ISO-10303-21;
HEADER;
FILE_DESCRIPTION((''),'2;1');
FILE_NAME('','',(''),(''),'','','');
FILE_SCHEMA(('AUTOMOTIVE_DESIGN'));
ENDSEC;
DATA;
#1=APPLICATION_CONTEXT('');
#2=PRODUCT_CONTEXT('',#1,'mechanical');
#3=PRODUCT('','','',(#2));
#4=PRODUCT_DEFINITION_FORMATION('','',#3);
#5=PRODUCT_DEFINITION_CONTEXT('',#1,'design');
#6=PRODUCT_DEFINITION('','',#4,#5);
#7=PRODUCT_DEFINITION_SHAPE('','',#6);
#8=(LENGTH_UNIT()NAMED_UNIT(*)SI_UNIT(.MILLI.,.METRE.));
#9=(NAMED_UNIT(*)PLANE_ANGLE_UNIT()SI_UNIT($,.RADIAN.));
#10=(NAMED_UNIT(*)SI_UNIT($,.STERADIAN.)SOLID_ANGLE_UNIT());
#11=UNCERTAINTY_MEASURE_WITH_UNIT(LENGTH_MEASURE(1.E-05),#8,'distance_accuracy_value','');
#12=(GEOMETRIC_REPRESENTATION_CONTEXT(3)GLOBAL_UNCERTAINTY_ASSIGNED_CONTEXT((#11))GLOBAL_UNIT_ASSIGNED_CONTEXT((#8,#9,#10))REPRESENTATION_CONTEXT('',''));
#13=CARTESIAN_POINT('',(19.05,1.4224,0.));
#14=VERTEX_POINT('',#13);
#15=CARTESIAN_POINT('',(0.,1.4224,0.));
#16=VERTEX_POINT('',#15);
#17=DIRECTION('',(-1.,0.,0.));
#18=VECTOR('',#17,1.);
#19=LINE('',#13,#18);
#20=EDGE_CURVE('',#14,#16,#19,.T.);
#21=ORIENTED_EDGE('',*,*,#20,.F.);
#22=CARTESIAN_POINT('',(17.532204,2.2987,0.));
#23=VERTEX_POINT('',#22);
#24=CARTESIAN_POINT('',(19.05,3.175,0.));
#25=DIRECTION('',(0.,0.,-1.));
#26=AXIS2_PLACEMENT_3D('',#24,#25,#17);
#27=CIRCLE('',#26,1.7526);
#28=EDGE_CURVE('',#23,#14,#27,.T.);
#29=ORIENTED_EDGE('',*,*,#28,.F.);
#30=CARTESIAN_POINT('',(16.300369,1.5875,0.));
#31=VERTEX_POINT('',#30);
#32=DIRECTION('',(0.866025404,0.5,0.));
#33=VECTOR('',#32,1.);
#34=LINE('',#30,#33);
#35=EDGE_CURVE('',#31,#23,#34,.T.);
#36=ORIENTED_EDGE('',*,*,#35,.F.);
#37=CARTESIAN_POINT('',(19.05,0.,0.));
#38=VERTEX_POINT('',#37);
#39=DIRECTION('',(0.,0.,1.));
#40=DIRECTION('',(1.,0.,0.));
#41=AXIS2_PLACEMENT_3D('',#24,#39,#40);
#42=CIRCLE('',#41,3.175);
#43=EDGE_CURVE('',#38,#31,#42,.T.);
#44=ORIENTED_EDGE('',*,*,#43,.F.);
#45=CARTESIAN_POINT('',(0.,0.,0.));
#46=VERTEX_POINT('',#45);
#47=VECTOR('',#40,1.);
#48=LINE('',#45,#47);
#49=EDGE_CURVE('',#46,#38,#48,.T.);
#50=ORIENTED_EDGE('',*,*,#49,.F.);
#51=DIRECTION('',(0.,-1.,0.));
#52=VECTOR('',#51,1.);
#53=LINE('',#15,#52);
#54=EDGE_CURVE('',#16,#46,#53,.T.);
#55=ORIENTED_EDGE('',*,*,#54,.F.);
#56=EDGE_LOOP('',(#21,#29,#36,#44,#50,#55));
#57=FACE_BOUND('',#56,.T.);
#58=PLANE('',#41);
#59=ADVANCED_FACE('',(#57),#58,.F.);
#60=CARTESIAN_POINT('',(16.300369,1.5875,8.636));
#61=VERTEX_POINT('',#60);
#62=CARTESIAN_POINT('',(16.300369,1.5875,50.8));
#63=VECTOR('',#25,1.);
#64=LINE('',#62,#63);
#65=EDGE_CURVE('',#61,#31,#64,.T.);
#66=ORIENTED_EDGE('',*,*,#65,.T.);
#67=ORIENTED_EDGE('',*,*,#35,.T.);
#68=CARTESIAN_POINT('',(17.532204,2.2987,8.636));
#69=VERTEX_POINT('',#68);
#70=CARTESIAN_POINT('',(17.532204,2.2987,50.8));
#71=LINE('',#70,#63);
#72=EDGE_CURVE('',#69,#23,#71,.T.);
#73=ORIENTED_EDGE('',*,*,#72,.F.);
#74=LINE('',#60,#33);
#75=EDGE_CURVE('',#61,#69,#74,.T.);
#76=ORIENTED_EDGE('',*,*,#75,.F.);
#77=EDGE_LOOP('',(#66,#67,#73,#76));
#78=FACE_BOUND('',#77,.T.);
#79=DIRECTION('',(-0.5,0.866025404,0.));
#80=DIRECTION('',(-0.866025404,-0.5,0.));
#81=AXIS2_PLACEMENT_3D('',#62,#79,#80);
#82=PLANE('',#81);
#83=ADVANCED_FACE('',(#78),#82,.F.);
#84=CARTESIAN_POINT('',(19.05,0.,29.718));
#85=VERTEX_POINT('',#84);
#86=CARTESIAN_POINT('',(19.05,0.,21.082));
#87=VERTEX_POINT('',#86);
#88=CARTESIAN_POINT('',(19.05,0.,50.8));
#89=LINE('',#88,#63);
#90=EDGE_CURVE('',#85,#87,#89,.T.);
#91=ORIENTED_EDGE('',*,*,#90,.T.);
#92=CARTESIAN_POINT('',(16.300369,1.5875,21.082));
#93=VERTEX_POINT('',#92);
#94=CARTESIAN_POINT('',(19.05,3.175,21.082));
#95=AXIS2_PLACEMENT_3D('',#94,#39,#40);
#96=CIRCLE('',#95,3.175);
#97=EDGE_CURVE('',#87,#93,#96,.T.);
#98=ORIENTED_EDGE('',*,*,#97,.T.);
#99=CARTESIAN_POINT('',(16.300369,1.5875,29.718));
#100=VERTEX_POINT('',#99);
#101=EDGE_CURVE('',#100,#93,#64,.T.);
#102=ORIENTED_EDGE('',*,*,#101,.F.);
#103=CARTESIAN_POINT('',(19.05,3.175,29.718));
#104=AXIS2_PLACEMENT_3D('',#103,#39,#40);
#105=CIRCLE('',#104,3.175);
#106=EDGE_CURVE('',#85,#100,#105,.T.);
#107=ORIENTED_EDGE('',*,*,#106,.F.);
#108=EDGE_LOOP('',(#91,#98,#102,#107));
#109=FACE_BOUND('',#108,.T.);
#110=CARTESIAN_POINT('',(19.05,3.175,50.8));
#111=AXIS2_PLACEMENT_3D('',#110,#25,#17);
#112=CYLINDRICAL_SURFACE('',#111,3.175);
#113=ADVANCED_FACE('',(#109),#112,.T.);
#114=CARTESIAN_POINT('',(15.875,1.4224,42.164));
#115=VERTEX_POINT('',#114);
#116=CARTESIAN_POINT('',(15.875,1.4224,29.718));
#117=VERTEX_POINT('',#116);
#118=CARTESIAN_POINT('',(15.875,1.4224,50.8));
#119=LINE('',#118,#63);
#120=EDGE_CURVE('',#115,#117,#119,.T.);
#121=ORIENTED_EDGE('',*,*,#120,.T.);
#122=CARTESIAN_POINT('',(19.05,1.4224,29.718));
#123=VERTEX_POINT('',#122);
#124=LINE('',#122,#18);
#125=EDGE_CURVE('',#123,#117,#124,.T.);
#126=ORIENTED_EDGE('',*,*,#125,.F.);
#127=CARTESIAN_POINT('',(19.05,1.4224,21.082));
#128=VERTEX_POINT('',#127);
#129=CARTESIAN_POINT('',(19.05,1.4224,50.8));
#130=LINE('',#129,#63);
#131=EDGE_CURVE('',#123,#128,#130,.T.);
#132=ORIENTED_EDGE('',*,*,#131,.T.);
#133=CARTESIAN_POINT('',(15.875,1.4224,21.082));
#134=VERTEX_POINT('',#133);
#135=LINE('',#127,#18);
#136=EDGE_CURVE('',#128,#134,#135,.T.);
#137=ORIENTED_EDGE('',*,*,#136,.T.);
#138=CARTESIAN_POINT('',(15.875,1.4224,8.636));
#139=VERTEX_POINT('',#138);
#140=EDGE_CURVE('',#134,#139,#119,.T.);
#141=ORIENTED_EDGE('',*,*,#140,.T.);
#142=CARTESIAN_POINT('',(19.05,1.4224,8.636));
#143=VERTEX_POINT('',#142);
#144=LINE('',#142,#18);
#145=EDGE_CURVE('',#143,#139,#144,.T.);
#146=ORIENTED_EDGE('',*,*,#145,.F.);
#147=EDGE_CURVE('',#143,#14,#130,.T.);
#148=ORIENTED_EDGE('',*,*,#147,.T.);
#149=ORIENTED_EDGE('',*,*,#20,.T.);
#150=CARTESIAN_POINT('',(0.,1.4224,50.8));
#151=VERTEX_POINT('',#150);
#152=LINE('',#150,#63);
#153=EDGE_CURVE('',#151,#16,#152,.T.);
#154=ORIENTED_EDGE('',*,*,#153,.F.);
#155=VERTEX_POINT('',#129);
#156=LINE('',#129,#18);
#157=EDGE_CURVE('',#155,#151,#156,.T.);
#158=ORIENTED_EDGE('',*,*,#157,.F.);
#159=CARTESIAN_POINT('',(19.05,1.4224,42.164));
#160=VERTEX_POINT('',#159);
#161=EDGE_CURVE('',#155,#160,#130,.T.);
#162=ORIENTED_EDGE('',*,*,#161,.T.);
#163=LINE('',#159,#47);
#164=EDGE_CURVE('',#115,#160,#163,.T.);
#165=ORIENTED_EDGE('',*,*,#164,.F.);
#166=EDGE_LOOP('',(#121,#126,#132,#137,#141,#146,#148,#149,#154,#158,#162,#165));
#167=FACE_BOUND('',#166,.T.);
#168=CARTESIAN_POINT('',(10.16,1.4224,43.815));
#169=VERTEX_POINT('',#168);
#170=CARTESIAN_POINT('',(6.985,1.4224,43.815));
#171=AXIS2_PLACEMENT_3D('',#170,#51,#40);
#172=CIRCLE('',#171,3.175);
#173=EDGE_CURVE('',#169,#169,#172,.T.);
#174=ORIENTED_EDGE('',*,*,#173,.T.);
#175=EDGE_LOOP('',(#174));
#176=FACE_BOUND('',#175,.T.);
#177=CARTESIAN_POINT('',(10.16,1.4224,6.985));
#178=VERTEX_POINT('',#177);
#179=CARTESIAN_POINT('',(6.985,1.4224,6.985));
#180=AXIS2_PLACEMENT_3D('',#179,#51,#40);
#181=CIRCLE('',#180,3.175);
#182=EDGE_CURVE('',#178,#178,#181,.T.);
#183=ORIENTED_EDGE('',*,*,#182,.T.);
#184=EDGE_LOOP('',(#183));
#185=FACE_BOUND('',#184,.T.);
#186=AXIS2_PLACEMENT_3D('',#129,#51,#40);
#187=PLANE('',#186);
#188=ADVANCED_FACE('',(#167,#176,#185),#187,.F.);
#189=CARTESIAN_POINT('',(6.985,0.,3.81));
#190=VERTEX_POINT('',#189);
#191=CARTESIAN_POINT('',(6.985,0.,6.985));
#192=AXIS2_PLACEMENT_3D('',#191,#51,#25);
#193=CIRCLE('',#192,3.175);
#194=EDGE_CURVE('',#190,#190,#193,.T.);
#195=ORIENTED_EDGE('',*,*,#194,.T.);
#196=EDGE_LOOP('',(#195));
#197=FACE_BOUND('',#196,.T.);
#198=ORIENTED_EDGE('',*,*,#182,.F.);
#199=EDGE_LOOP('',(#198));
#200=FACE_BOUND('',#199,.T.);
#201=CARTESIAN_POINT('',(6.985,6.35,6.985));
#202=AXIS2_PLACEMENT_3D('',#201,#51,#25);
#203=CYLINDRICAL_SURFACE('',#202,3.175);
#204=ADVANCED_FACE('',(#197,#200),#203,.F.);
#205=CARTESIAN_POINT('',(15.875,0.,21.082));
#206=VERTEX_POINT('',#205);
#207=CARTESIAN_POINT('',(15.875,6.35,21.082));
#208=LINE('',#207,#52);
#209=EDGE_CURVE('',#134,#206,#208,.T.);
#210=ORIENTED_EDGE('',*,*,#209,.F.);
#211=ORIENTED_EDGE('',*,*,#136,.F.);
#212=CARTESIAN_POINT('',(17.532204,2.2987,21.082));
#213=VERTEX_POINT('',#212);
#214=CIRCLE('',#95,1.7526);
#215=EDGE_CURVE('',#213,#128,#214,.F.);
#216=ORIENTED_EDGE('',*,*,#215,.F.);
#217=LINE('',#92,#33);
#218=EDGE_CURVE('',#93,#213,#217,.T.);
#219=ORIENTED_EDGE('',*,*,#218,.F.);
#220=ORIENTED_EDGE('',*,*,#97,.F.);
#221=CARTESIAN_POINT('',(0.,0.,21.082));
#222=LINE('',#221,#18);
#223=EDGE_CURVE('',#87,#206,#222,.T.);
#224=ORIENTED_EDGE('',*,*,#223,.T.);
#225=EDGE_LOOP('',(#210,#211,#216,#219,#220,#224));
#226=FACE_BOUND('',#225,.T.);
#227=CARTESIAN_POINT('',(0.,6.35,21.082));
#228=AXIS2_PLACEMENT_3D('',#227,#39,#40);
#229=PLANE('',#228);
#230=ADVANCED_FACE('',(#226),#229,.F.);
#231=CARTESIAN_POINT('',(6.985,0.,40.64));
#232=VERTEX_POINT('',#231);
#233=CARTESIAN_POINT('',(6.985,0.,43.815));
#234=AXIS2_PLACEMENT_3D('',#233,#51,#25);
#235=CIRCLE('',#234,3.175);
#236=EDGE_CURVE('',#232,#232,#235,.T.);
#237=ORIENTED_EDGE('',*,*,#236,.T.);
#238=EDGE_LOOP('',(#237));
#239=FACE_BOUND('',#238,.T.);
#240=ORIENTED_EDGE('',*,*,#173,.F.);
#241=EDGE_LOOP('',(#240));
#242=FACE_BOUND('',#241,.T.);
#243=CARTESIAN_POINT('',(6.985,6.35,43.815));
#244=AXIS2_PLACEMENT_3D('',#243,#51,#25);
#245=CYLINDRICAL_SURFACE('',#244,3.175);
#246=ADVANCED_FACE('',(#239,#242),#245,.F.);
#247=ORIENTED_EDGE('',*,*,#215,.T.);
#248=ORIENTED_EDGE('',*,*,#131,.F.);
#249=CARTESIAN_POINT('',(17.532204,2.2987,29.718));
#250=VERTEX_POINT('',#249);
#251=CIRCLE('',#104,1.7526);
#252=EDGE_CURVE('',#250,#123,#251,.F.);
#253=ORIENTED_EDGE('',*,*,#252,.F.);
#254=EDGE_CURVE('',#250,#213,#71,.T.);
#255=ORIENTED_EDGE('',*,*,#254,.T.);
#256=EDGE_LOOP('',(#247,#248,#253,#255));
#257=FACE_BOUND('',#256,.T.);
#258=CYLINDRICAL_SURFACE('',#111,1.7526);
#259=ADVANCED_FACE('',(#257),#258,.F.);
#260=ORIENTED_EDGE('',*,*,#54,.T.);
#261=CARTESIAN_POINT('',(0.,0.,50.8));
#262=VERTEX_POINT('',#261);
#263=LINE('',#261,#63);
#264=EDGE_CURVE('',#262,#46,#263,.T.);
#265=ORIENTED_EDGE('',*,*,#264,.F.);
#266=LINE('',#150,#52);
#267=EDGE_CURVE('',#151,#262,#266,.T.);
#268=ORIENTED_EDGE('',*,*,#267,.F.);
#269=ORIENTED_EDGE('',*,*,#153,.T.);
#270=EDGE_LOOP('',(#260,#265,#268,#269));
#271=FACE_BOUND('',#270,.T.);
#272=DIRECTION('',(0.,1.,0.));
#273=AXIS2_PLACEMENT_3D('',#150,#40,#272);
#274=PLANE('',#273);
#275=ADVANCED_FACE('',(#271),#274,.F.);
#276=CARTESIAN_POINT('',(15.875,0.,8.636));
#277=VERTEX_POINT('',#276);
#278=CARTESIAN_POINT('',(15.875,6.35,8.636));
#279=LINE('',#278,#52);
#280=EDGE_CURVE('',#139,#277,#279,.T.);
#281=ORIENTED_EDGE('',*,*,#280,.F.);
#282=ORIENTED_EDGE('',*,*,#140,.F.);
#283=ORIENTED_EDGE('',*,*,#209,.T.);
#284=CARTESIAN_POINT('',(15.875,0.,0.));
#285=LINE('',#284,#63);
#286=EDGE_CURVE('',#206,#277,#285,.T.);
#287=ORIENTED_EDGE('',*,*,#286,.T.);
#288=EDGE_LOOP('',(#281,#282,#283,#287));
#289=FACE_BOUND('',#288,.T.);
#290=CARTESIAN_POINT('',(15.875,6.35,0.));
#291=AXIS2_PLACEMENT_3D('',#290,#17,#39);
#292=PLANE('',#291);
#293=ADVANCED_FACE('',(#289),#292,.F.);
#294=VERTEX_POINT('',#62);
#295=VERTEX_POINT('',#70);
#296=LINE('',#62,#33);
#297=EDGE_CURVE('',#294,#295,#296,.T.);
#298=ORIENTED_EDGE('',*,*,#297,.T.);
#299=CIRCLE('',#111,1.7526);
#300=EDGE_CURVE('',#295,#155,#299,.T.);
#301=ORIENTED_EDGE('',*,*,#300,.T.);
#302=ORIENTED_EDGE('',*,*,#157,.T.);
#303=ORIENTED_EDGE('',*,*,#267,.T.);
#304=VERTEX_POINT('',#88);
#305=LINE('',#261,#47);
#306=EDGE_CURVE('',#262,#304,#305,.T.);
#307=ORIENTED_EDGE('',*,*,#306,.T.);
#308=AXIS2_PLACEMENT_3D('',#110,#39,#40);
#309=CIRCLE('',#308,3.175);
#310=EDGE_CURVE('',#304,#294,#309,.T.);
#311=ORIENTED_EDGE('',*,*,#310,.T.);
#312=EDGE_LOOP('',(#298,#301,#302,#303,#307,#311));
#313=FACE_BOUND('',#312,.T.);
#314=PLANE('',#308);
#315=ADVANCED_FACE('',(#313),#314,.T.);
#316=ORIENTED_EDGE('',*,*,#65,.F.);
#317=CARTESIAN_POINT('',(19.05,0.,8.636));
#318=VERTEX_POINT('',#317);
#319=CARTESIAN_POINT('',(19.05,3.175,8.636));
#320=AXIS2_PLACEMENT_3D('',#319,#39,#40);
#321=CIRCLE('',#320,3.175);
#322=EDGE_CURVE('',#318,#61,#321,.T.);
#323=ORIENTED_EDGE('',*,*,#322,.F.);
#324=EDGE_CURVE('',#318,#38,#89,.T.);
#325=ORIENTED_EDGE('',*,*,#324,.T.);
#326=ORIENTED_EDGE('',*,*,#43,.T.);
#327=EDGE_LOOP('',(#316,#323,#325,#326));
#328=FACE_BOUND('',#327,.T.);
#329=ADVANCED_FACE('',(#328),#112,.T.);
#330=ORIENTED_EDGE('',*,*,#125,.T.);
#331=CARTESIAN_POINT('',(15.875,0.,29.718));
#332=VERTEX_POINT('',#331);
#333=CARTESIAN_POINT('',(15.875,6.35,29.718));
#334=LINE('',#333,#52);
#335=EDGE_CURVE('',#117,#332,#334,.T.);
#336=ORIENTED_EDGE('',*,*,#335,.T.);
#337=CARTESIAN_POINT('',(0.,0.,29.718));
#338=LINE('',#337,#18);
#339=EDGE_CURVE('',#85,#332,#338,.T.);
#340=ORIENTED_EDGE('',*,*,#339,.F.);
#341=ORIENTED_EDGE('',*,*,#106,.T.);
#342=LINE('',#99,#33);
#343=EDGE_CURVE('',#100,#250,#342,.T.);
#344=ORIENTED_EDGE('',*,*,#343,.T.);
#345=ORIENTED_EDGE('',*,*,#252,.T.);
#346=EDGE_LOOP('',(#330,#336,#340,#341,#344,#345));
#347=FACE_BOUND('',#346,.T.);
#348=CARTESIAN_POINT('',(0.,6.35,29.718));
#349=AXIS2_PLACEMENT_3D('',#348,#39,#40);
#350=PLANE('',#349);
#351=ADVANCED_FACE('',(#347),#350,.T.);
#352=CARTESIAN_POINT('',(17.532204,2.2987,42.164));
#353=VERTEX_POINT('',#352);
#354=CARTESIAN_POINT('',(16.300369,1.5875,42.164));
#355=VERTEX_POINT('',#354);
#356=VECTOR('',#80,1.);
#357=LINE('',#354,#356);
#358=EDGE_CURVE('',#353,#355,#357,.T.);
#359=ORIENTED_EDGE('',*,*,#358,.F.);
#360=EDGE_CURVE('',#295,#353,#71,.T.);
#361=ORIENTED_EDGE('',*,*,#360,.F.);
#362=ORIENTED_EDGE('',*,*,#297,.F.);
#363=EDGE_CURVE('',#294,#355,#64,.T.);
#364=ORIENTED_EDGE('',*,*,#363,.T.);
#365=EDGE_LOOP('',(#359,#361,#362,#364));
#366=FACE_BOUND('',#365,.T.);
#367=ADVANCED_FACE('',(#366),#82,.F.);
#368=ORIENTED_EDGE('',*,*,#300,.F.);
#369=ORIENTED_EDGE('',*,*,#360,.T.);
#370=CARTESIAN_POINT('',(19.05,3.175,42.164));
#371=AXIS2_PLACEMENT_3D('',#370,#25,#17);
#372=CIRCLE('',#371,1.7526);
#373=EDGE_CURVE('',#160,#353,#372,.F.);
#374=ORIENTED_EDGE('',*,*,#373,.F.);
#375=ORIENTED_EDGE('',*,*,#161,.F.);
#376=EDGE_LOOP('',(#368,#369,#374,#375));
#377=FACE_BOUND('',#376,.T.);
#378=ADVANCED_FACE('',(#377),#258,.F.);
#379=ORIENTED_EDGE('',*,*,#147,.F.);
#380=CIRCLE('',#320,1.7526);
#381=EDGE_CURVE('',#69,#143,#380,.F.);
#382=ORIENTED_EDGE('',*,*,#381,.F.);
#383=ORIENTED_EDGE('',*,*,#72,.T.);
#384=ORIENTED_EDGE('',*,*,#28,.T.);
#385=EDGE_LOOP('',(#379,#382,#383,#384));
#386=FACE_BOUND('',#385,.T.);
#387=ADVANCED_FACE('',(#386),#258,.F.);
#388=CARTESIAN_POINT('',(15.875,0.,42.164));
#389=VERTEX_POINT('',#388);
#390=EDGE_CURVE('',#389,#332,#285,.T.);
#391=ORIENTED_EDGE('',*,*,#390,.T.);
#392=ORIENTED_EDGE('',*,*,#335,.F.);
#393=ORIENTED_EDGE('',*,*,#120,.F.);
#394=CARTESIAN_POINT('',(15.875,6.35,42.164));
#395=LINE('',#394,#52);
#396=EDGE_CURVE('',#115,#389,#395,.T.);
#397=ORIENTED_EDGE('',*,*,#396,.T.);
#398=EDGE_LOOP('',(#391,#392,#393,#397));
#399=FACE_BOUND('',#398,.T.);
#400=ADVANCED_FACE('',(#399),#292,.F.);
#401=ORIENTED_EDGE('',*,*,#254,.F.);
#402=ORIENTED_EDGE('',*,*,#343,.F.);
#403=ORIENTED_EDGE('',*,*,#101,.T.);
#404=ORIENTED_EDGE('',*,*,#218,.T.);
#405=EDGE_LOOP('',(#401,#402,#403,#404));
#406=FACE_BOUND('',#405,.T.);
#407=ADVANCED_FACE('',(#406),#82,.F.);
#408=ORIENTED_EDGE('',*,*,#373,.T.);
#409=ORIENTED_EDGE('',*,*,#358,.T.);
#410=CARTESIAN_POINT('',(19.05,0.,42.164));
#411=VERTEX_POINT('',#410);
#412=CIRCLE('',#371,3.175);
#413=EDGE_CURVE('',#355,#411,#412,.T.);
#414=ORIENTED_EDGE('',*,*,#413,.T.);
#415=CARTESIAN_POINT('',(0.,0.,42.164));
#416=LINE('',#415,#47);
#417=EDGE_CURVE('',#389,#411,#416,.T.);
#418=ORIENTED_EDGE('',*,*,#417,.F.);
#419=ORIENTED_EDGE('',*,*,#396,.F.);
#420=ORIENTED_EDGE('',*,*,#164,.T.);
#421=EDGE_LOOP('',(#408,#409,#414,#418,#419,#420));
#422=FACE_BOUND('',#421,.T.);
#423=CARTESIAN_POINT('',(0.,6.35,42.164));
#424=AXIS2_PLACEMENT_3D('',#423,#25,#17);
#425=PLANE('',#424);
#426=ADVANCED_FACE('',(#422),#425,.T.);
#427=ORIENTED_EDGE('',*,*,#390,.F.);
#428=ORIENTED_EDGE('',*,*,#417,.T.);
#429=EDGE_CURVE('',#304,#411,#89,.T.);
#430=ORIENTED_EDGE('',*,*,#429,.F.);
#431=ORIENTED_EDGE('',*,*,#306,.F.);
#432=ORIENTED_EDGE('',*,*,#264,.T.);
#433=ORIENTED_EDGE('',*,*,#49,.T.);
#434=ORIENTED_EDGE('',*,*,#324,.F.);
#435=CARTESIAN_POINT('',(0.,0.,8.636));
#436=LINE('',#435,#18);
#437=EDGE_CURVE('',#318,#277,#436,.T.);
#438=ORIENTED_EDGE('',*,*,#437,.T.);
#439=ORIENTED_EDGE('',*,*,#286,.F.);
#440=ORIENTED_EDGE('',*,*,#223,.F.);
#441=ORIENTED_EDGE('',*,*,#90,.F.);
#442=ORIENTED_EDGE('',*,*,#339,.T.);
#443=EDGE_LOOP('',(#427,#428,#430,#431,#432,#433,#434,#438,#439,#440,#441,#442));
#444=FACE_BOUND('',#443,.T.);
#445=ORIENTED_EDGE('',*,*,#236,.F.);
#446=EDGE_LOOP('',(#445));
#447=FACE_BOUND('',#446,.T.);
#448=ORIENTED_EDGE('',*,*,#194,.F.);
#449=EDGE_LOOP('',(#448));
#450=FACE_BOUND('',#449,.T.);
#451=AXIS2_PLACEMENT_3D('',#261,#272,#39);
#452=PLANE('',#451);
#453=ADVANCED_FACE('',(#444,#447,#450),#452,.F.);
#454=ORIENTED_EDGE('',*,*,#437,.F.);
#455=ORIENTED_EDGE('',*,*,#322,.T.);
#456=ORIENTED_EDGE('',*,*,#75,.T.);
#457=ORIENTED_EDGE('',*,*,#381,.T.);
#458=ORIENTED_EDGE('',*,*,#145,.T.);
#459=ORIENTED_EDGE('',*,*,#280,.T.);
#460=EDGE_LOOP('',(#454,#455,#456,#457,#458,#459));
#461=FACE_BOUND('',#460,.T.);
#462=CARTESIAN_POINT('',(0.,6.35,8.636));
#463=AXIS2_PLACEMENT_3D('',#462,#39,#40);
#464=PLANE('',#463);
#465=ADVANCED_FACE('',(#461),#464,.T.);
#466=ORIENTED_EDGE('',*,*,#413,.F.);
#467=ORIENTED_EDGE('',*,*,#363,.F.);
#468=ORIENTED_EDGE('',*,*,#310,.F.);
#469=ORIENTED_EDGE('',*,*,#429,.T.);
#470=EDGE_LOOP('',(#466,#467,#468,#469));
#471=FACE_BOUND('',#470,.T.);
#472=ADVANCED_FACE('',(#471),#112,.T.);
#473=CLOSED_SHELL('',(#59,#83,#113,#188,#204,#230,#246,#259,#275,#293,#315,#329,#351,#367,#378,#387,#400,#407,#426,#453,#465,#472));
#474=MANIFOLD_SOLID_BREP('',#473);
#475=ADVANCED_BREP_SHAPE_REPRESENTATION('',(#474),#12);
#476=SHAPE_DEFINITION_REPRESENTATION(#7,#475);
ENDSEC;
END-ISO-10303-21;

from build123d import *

# Parameters (mm, degrees)
BOSS_EXTRUDE1_DEPTH = 50.8
SKETCH2_W           = 3.175
SKETCH2_H           = 12.446
SKETCH2_R           = 3.175
CUT_EXTRUDE1_DEPTH  = 56.811406764


with BuildPart() as part:
    # Sketch1 → Boss-Extrude1 (new body)
    with BuildSketch(Plane.XY):
        with BuildLine():
            Line((0, 0), (19.05, 0))
            ThreePointArc((19.05, 0), (20.6375, 5.924630657), (16.300369343, 1.5875))
            Line((16.300369343, 1.5875), (17.532203877, 2.2987))
            ThreePointArc((17.532203877, 2.2987), (19.9263, 4.692796123), (19.05, 1.4224))
            Line((19.05, 1.4224), (0, 1.4224))
            Line((0, 1.4224), (0, 0))
        make_face()
    extrude(amount=BOSS_EXTRUDE1_DEPTH)

    # Sketch2 → Cut-Extrude1 (cut, through all)
    with BuildSketch(Plane.XZ):
        with Locations((20.6375, 14.859)):
            Rectangle(SKETCH2_W, SKETCH2_H)
        with Locations((17.4625, 14.859)):
            Rectangle(SKETCH2_W, SKETCH2_H)
        with Locations((20.6375, 35.941)):
            Rectangle(SKETCH2_W, SKETCH2_H)
        with Locations((17.4625, 35.941)):
            Rectangle(SKETCH2_W, SKETCH2_H)
        with Locations(Location((6.985, 43.815, 0), (0, 0, 270))):
            Circle(SKETCH2_R)
        with Locations(Location((6.985, 6.985, 0), (0, 0, 270))):
            Circle(SKETCH2_R)
    extrude(amount=-CUT_EXTRUDE1_DEPTH, mode=Mode.SUBTRACT)


solid = part.part
